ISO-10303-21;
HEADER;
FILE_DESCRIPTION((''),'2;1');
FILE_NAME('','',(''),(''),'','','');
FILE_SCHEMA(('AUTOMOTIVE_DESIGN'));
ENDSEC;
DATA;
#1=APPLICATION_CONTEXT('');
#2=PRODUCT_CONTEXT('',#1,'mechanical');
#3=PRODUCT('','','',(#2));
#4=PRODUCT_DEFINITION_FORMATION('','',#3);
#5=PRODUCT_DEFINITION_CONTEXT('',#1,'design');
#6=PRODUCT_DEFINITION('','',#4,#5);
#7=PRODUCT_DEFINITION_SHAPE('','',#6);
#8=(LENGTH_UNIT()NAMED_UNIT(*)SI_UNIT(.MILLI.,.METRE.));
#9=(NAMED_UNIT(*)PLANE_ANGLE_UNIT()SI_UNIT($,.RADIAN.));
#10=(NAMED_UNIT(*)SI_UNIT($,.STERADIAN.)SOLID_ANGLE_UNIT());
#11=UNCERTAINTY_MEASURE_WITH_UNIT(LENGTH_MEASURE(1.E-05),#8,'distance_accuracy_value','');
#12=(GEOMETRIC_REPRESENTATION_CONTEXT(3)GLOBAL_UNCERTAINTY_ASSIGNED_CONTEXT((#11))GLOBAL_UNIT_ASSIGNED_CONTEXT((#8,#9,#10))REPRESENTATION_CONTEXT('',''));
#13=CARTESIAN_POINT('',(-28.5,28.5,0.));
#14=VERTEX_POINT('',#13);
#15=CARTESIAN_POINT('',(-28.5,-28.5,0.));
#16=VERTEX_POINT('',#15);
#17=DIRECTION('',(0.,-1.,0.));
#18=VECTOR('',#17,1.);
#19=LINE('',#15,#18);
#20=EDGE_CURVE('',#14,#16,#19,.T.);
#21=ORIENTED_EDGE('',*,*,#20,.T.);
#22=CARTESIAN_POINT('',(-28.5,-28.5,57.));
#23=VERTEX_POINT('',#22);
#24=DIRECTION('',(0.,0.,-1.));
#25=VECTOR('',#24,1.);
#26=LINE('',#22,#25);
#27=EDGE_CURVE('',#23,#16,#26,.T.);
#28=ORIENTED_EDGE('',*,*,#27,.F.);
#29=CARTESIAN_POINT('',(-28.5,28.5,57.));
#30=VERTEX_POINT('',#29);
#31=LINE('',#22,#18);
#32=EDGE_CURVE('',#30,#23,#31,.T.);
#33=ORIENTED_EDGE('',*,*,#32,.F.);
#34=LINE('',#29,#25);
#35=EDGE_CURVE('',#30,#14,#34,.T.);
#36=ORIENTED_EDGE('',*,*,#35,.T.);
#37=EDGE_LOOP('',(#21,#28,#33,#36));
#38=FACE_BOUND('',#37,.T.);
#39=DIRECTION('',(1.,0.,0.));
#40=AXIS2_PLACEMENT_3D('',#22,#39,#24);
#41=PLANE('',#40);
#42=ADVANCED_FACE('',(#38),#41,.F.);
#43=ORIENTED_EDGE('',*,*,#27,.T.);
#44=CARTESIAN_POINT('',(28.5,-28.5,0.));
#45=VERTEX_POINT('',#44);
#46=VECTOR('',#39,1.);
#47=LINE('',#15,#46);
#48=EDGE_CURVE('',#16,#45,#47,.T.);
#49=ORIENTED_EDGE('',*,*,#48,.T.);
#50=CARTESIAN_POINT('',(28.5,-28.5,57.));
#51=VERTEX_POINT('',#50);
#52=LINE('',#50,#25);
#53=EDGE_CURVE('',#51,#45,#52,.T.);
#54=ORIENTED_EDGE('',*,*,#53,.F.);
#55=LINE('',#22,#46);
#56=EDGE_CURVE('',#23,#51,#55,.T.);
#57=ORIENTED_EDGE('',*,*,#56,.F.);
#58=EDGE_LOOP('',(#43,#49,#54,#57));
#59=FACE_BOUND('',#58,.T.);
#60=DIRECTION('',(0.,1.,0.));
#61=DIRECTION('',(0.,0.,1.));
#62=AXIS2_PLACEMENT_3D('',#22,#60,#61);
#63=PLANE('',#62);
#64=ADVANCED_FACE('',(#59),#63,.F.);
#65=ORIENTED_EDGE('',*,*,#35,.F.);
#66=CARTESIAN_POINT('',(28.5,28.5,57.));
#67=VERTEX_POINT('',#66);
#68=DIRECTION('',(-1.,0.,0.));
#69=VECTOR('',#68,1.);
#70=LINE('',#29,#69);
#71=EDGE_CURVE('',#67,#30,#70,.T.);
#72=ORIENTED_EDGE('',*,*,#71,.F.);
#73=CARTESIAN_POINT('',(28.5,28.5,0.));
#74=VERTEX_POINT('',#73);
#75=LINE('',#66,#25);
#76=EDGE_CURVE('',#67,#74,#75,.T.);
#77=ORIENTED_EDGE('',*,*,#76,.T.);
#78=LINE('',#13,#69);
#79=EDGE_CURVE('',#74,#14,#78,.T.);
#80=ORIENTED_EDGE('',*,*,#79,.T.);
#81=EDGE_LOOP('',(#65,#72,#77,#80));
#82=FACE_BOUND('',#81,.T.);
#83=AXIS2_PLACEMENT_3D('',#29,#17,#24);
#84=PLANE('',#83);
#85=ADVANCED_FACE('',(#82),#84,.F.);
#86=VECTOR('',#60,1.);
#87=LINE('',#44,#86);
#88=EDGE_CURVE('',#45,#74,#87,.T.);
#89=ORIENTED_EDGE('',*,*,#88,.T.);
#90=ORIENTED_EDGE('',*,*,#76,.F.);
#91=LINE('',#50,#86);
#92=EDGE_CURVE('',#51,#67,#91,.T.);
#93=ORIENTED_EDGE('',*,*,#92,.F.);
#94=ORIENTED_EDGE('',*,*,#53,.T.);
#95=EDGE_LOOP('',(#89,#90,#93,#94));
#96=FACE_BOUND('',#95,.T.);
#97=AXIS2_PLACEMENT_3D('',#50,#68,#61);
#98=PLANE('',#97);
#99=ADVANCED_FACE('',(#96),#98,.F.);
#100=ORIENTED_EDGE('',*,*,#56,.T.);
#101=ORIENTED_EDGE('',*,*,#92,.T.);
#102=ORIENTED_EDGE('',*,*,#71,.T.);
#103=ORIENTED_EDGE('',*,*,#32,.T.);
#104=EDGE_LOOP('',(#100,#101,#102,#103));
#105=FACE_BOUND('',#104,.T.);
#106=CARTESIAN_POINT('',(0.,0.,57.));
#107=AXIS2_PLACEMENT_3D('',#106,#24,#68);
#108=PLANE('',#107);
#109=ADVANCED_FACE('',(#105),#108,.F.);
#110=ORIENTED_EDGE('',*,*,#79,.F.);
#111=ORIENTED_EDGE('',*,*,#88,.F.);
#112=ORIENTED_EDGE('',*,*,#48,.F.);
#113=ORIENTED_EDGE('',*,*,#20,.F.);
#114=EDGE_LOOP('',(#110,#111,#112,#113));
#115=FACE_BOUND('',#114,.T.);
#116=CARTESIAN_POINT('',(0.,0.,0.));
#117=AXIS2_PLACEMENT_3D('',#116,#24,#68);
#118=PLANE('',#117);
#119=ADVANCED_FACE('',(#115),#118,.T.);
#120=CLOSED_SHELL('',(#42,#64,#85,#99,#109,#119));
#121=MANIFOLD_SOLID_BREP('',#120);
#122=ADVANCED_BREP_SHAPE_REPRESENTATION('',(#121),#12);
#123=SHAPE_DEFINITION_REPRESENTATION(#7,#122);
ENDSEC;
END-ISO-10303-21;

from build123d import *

# Parameters (mm, degrees)
SKETCH1_W           = 57
SKETCH1_H           = 57
BOSS_EXTRUDE1_DEPTH = 57


with BuildPart() as part:
    # Sketch1 → Boss-Extrude1 (new body)
    with BuildSketch(Plane.XY):
        Rectangle(SKETCH1_W, SKETCH1_H)
    extrude(amount=BOSS_EXTRUDE1_DEPTH)


solid = part.part
